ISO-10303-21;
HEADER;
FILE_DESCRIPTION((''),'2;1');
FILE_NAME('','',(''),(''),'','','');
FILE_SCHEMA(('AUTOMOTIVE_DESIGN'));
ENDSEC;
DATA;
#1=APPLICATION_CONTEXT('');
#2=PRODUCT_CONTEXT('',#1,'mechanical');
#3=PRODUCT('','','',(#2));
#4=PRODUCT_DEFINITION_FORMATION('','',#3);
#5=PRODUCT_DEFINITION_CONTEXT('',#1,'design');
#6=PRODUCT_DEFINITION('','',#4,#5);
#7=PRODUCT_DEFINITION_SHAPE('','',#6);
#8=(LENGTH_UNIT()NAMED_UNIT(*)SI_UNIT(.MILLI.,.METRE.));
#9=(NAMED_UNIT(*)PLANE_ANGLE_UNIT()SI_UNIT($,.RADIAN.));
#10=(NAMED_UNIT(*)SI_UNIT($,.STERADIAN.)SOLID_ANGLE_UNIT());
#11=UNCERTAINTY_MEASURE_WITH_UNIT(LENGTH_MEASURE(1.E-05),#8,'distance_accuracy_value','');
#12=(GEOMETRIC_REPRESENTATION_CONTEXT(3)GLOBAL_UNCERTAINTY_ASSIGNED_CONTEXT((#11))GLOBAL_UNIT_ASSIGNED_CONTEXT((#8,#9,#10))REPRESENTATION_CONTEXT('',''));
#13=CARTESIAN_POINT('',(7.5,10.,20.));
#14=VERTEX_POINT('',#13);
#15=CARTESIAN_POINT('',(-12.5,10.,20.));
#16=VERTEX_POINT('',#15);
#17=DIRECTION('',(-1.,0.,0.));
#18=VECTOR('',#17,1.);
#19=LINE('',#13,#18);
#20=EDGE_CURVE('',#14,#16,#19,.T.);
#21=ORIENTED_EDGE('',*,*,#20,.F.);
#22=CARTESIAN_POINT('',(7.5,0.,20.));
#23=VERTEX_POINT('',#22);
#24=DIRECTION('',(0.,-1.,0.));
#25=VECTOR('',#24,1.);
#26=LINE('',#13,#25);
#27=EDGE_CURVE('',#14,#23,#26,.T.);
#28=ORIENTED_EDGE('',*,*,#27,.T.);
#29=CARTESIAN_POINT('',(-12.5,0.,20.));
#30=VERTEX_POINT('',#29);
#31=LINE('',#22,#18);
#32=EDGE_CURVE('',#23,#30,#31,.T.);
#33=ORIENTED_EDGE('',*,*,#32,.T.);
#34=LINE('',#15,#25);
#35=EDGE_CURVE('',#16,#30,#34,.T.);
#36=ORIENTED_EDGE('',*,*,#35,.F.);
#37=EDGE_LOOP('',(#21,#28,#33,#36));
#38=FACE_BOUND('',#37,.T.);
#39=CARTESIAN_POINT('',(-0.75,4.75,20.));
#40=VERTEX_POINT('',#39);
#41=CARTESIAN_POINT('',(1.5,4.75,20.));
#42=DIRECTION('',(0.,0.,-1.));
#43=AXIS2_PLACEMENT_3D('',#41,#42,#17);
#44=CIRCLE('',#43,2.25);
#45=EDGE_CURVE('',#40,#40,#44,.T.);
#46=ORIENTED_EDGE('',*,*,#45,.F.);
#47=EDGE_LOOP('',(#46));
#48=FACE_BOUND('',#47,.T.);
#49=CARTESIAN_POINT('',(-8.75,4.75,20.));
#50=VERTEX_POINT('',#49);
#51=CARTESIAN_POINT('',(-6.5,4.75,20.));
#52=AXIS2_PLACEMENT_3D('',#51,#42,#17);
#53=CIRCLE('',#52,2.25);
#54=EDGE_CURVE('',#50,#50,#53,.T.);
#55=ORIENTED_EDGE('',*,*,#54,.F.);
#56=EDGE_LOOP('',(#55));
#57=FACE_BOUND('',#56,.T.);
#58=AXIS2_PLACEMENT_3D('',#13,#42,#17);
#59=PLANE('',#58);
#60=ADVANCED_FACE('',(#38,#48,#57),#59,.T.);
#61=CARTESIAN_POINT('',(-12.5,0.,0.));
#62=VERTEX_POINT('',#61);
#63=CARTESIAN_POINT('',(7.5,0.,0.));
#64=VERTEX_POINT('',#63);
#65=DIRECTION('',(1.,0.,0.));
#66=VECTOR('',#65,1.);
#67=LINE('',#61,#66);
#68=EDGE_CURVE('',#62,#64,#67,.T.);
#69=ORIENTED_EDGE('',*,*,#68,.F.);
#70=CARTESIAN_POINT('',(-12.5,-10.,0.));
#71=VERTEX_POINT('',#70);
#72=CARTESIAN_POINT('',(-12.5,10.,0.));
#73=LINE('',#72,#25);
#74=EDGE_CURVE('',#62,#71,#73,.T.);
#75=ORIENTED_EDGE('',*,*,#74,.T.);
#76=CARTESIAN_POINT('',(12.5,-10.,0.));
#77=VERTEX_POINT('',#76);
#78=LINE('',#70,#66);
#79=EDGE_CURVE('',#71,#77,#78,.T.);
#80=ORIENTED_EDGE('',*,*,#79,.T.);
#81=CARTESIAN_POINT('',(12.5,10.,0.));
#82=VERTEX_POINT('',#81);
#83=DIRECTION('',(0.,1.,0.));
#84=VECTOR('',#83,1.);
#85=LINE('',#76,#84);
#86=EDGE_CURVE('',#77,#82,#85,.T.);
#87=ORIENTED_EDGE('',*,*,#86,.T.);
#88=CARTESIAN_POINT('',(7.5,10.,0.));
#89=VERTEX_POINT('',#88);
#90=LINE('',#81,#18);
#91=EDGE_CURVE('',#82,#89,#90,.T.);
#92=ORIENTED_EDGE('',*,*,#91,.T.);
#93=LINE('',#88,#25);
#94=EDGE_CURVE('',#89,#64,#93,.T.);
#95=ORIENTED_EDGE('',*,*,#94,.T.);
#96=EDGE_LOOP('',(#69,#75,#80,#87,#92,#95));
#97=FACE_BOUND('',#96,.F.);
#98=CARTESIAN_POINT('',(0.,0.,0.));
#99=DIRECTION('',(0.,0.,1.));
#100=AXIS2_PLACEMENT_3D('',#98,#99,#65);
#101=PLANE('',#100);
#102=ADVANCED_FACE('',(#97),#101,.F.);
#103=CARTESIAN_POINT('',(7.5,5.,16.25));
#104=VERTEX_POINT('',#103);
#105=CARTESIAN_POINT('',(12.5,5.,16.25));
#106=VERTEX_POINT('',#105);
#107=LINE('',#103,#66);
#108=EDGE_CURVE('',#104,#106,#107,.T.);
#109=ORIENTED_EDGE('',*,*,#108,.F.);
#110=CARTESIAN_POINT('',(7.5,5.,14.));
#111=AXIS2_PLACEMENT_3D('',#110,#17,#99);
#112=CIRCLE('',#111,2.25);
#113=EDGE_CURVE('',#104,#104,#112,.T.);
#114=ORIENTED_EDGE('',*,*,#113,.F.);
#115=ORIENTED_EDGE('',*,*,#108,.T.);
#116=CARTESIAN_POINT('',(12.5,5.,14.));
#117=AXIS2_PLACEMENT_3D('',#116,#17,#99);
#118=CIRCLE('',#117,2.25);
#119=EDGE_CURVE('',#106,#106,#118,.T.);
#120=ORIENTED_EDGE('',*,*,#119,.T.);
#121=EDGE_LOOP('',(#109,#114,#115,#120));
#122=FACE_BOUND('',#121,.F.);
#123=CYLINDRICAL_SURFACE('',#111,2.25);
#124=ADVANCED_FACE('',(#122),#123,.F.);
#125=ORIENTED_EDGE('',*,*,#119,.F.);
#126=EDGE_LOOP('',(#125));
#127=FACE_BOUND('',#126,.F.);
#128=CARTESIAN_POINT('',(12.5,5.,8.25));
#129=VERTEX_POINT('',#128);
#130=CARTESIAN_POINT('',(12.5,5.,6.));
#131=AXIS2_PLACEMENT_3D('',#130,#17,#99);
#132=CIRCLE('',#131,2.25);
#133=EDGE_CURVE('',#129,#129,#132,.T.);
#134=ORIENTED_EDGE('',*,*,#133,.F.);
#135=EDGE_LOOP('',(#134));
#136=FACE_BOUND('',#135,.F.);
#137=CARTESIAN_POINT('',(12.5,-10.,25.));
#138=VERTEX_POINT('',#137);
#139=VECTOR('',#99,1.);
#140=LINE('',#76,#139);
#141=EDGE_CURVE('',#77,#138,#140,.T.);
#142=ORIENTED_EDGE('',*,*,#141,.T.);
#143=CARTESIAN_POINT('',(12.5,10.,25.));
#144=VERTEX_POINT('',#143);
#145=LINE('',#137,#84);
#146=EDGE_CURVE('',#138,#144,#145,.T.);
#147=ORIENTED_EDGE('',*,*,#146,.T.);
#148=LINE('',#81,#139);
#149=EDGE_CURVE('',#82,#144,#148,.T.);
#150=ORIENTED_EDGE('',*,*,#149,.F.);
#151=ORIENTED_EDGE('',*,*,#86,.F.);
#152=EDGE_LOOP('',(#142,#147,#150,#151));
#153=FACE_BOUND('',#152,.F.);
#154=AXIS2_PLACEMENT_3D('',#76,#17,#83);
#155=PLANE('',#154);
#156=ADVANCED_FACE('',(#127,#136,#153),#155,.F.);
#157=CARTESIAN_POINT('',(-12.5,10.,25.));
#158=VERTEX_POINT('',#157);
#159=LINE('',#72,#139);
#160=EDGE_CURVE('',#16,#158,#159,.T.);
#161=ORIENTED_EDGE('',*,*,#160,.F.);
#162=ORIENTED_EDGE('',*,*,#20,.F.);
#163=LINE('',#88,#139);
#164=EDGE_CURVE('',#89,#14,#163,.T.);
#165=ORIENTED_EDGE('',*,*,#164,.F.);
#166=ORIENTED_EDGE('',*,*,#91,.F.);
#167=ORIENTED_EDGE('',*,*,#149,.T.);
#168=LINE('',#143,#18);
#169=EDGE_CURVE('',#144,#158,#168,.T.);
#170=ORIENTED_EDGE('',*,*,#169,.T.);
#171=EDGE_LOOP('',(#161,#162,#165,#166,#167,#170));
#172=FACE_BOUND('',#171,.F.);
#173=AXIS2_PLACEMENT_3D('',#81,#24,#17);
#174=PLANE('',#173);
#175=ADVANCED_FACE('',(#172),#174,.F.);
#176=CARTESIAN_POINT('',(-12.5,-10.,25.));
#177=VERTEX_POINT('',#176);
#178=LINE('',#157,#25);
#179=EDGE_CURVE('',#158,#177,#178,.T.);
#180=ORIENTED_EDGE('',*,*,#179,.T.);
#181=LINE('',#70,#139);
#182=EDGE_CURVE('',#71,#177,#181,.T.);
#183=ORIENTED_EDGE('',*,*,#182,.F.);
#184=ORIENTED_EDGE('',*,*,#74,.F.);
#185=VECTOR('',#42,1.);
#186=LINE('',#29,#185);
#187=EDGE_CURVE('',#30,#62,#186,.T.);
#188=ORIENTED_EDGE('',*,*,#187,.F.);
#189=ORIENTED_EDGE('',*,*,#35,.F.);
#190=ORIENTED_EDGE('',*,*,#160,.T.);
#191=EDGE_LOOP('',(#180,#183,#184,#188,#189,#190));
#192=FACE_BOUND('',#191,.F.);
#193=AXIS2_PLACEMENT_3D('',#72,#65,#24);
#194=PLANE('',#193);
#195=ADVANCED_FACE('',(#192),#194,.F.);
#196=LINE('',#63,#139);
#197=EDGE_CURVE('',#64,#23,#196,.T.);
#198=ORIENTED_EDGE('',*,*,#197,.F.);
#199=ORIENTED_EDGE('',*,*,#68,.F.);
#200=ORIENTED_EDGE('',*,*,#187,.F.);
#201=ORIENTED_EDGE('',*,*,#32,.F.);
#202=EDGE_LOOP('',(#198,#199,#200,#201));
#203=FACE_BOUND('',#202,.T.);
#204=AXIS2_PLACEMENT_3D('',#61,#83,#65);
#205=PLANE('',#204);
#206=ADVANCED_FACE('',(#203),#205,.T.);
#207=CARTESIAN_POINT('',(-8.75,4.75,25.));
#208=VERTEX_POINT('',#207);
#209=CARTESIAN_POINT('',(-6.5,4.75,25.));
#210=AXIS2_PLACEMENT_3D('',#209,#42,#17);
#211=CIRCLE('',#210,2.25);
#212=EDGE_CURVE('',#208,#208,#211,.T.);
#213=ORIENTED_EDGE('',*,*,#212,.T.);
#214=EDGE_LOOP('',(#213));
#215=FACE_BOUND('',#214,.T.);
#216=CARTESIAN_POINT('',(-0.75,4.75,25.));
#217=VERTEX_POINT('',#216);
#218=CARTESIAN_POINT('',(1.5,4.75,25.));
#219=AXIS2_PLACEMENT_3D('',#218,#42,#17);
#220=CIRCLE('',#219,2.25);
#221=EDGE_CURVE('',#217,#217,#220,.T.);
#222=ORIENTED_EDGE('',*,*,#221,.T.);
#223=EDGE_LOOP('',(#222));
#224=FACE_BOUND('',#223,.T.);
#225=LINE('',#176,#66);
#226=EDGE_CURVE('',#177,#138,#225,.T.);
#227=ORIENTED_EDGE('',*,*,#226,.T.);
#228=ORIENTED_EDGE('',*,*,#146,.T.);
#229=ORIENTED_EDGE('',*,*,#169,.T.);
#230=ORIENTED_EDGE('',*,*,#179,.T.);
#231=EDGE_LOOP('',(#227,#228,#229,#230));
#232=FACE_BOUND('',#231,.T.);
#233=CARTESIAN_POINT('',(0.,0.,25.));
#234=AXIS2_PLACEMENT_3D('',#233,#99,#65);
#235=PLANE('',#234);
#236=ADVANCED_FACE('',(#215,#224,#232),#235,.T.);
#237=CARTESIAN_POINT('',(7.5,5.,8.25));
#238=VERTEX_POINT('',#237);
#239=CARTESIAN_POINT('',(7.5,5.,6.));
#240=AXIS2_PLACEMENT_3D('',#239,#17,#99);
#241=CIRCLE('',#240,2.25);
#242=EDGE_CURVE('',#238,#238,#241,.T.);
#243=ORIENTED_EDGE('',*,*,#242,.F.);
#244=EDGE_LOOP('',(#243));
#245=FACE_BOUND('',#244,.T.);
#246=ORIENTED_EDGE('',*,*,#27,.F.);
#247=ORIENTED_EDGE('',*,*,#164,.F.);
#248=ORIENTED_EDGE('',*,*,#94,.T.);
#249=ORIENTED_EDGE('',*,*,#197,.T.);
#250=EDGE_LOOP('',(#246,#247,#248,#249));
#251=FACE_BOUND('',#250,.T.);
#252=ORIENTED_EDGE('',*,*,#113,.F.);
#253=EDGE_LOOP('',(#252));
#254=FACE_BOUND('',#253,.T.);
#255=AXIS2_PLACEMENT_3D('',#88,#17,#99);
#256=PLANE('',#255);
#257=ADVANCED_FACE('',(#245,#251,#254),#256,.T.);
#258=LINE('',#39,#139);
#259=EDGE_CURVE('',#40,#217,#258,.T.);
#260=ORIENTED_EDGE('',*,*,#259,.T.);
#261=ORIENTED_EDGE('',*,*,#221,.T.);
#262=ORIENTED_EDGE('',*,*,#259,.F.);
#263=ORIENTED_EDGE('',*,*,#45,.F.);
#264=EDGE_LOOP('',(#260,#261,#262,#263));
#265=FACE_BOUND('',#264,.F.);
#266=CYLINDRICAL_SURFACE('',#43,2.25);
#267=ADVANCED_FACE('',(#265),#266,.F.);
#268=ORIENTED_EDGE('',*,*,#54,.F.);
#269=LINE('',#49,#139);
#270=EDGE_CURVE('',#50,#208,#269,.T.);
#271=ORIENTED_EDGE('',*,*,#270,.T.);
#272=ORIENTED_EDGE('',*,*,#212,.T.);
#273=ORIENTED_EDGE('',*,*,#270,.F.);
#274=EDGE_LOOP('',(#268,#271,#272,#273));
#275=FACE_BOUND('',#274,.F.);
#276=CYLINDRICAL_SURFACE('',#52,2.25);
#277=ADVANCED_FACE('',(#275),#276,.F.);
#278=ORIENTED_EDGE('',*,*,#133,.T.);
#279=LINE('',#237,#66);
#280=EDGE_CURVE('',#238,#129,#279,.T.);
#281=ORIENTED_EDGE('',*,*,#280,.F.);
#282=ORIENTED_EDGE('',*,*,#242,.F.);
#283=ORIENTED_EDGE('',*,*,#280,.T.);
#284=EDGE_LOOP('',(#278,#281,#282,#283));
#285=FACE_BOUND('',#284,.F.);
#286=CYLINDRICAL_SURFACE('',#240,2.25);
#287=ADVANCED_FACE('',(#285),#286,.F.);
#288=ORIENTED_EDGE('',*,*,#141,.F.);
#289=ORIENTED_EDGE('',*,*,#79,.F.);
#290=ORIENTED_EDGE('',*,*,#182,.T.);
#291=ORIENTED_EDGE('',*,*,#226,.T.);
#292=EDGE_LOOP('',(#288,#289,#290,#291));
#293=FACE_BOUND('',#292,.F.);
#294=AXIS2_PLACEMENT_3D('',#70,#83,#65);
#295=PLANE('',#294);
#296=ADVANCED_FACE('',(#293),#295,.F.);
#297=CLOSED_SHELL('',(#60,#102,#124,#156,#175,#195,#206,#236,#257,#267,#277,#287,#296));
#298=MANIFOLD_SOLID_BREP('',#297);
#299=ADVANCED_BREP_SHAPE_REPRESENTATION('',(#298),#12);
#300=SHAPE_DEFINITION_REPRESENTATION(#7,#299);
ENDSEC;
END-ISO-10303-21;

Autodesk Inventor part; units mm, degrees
ref_plane "YZ Plane" through (0, 0, 0) normal (1, 0, 0) x (0, 1, 0)
ref_plane "XZ Plane" through (0, 0, 0) normal (0, 1, 0) x (-1, 0, 0)
ref_plane "XY Plane" through (0, 0, 0) normal (0, 0, 1) x (1, 0, 0)
sketch "Sketch1" plane through (0, 0, 0) normal (0, 0, 1) x (1, 0, 0)
  line L0 (-12.5, -10) -> (12.5, -10)
  line L1 (12.5, -10) -> (12.5, 10)
  line L2 (12.5, 10) -> (-12.5, 10)
  line L3 (-12.5, 10) -> (-12.5, -10)
  line L4 (-12.5, -10) -> (12.5, 10) construction
  line L5 (12.5, -10) -> (-12.5, 10) construction
  point P0 (0, 0)
  dimension "d0" = 25
  dimension "d1" = 20
extrude "Extrusion1" add sketch "Sketch1" along normal blind 25
sketch "Sketch2" plane through (-12.5, 10, 0) normal (0, 1, 0) x (1, 0, 0)
  line L0 (0, 0) -> (25, 0) projected
  line L1 (0, 0) -> (20, 0)
  line L2 (20, 0) -> (20, -20)
  line L3 (20, -20) -> (0, -20)
  line L4 (0, -20) -> (0, 0)
  point P0 (12.5, 0)
  point P1 (20, 0)
  dimension "d4" = 20
  dimension "d5" = 20
extrude "Extrusion2" cut sketch "Sketch2" against normal blind 10
sketch "Sketch3" plane through (7.5, 10, 0) normal (-1, 0, 0) x (0, 0, 1)
  circle A0 centre (6, -5) radius 2.25
  circle A1 centre (14, -5) radius 2.25
  line L0 (0, 0) -> (20, 0) projected
  line L1 (20, -10) -> (0, -10) projected
  line L2 (0, -10) -> (0, 0) projected
  line L3 (20, 0) -> (20, -10) projected
  dimension "d8" = 4.5
  dimension "d9" = 4.5
  dimension "d10" = 5
  dimension "d11" = 10
  dimension "d12" = 5
  dimension "d14" = 20
  dimension "d17" = 8
  dimension "d18" = 6
extrude "Extrusion3" cut sketch "Sketch3" against normal blind 5 contours A0 | A1
thread "Thread1" size "M4.5x0.75" class "6H" standard "ANSI Metric M Profile" length 100
thread "Thread2" size "M4.5x0.75" class "6H" standard "ANSI Metric M Profile" length 100
sketch "Sketch4" plane through (7.5, 10, 20) normal (0, 0, -1) x (-1, 0, 0)
  circle A0 centre (6, -5.25) radius 2.25
  circle A1 centre (14, -5.25) radius 2.25
  line L0 (0, 0) -> (20, 0) projected
  line L1 (20, 0) -> (20, -10) projected
  line L2 (0, 0) -> (0, -10) projected
  point P0 (7.5, -10)
  dimension "d25" = 4.5
  dimension "d26" = 4.5
  dimension "d27" = 8
  dimension "d28" = 3
  dimension "d29" = 3
  dimension "d30" = 6
  dimension "d31" = 6
extrude "Extrusion4" cut sketch "Sketch4" against normal blind 5
thread "Thread3" size "M4.5x0.75" class "6H" standard "ANSI Metric M Profile" length 100
thread "Thread4" size "M4.5x0.75" class "6H" standard "ANSI Metric M Profile" length 100
properties part number "CONTOL_COMBI"
